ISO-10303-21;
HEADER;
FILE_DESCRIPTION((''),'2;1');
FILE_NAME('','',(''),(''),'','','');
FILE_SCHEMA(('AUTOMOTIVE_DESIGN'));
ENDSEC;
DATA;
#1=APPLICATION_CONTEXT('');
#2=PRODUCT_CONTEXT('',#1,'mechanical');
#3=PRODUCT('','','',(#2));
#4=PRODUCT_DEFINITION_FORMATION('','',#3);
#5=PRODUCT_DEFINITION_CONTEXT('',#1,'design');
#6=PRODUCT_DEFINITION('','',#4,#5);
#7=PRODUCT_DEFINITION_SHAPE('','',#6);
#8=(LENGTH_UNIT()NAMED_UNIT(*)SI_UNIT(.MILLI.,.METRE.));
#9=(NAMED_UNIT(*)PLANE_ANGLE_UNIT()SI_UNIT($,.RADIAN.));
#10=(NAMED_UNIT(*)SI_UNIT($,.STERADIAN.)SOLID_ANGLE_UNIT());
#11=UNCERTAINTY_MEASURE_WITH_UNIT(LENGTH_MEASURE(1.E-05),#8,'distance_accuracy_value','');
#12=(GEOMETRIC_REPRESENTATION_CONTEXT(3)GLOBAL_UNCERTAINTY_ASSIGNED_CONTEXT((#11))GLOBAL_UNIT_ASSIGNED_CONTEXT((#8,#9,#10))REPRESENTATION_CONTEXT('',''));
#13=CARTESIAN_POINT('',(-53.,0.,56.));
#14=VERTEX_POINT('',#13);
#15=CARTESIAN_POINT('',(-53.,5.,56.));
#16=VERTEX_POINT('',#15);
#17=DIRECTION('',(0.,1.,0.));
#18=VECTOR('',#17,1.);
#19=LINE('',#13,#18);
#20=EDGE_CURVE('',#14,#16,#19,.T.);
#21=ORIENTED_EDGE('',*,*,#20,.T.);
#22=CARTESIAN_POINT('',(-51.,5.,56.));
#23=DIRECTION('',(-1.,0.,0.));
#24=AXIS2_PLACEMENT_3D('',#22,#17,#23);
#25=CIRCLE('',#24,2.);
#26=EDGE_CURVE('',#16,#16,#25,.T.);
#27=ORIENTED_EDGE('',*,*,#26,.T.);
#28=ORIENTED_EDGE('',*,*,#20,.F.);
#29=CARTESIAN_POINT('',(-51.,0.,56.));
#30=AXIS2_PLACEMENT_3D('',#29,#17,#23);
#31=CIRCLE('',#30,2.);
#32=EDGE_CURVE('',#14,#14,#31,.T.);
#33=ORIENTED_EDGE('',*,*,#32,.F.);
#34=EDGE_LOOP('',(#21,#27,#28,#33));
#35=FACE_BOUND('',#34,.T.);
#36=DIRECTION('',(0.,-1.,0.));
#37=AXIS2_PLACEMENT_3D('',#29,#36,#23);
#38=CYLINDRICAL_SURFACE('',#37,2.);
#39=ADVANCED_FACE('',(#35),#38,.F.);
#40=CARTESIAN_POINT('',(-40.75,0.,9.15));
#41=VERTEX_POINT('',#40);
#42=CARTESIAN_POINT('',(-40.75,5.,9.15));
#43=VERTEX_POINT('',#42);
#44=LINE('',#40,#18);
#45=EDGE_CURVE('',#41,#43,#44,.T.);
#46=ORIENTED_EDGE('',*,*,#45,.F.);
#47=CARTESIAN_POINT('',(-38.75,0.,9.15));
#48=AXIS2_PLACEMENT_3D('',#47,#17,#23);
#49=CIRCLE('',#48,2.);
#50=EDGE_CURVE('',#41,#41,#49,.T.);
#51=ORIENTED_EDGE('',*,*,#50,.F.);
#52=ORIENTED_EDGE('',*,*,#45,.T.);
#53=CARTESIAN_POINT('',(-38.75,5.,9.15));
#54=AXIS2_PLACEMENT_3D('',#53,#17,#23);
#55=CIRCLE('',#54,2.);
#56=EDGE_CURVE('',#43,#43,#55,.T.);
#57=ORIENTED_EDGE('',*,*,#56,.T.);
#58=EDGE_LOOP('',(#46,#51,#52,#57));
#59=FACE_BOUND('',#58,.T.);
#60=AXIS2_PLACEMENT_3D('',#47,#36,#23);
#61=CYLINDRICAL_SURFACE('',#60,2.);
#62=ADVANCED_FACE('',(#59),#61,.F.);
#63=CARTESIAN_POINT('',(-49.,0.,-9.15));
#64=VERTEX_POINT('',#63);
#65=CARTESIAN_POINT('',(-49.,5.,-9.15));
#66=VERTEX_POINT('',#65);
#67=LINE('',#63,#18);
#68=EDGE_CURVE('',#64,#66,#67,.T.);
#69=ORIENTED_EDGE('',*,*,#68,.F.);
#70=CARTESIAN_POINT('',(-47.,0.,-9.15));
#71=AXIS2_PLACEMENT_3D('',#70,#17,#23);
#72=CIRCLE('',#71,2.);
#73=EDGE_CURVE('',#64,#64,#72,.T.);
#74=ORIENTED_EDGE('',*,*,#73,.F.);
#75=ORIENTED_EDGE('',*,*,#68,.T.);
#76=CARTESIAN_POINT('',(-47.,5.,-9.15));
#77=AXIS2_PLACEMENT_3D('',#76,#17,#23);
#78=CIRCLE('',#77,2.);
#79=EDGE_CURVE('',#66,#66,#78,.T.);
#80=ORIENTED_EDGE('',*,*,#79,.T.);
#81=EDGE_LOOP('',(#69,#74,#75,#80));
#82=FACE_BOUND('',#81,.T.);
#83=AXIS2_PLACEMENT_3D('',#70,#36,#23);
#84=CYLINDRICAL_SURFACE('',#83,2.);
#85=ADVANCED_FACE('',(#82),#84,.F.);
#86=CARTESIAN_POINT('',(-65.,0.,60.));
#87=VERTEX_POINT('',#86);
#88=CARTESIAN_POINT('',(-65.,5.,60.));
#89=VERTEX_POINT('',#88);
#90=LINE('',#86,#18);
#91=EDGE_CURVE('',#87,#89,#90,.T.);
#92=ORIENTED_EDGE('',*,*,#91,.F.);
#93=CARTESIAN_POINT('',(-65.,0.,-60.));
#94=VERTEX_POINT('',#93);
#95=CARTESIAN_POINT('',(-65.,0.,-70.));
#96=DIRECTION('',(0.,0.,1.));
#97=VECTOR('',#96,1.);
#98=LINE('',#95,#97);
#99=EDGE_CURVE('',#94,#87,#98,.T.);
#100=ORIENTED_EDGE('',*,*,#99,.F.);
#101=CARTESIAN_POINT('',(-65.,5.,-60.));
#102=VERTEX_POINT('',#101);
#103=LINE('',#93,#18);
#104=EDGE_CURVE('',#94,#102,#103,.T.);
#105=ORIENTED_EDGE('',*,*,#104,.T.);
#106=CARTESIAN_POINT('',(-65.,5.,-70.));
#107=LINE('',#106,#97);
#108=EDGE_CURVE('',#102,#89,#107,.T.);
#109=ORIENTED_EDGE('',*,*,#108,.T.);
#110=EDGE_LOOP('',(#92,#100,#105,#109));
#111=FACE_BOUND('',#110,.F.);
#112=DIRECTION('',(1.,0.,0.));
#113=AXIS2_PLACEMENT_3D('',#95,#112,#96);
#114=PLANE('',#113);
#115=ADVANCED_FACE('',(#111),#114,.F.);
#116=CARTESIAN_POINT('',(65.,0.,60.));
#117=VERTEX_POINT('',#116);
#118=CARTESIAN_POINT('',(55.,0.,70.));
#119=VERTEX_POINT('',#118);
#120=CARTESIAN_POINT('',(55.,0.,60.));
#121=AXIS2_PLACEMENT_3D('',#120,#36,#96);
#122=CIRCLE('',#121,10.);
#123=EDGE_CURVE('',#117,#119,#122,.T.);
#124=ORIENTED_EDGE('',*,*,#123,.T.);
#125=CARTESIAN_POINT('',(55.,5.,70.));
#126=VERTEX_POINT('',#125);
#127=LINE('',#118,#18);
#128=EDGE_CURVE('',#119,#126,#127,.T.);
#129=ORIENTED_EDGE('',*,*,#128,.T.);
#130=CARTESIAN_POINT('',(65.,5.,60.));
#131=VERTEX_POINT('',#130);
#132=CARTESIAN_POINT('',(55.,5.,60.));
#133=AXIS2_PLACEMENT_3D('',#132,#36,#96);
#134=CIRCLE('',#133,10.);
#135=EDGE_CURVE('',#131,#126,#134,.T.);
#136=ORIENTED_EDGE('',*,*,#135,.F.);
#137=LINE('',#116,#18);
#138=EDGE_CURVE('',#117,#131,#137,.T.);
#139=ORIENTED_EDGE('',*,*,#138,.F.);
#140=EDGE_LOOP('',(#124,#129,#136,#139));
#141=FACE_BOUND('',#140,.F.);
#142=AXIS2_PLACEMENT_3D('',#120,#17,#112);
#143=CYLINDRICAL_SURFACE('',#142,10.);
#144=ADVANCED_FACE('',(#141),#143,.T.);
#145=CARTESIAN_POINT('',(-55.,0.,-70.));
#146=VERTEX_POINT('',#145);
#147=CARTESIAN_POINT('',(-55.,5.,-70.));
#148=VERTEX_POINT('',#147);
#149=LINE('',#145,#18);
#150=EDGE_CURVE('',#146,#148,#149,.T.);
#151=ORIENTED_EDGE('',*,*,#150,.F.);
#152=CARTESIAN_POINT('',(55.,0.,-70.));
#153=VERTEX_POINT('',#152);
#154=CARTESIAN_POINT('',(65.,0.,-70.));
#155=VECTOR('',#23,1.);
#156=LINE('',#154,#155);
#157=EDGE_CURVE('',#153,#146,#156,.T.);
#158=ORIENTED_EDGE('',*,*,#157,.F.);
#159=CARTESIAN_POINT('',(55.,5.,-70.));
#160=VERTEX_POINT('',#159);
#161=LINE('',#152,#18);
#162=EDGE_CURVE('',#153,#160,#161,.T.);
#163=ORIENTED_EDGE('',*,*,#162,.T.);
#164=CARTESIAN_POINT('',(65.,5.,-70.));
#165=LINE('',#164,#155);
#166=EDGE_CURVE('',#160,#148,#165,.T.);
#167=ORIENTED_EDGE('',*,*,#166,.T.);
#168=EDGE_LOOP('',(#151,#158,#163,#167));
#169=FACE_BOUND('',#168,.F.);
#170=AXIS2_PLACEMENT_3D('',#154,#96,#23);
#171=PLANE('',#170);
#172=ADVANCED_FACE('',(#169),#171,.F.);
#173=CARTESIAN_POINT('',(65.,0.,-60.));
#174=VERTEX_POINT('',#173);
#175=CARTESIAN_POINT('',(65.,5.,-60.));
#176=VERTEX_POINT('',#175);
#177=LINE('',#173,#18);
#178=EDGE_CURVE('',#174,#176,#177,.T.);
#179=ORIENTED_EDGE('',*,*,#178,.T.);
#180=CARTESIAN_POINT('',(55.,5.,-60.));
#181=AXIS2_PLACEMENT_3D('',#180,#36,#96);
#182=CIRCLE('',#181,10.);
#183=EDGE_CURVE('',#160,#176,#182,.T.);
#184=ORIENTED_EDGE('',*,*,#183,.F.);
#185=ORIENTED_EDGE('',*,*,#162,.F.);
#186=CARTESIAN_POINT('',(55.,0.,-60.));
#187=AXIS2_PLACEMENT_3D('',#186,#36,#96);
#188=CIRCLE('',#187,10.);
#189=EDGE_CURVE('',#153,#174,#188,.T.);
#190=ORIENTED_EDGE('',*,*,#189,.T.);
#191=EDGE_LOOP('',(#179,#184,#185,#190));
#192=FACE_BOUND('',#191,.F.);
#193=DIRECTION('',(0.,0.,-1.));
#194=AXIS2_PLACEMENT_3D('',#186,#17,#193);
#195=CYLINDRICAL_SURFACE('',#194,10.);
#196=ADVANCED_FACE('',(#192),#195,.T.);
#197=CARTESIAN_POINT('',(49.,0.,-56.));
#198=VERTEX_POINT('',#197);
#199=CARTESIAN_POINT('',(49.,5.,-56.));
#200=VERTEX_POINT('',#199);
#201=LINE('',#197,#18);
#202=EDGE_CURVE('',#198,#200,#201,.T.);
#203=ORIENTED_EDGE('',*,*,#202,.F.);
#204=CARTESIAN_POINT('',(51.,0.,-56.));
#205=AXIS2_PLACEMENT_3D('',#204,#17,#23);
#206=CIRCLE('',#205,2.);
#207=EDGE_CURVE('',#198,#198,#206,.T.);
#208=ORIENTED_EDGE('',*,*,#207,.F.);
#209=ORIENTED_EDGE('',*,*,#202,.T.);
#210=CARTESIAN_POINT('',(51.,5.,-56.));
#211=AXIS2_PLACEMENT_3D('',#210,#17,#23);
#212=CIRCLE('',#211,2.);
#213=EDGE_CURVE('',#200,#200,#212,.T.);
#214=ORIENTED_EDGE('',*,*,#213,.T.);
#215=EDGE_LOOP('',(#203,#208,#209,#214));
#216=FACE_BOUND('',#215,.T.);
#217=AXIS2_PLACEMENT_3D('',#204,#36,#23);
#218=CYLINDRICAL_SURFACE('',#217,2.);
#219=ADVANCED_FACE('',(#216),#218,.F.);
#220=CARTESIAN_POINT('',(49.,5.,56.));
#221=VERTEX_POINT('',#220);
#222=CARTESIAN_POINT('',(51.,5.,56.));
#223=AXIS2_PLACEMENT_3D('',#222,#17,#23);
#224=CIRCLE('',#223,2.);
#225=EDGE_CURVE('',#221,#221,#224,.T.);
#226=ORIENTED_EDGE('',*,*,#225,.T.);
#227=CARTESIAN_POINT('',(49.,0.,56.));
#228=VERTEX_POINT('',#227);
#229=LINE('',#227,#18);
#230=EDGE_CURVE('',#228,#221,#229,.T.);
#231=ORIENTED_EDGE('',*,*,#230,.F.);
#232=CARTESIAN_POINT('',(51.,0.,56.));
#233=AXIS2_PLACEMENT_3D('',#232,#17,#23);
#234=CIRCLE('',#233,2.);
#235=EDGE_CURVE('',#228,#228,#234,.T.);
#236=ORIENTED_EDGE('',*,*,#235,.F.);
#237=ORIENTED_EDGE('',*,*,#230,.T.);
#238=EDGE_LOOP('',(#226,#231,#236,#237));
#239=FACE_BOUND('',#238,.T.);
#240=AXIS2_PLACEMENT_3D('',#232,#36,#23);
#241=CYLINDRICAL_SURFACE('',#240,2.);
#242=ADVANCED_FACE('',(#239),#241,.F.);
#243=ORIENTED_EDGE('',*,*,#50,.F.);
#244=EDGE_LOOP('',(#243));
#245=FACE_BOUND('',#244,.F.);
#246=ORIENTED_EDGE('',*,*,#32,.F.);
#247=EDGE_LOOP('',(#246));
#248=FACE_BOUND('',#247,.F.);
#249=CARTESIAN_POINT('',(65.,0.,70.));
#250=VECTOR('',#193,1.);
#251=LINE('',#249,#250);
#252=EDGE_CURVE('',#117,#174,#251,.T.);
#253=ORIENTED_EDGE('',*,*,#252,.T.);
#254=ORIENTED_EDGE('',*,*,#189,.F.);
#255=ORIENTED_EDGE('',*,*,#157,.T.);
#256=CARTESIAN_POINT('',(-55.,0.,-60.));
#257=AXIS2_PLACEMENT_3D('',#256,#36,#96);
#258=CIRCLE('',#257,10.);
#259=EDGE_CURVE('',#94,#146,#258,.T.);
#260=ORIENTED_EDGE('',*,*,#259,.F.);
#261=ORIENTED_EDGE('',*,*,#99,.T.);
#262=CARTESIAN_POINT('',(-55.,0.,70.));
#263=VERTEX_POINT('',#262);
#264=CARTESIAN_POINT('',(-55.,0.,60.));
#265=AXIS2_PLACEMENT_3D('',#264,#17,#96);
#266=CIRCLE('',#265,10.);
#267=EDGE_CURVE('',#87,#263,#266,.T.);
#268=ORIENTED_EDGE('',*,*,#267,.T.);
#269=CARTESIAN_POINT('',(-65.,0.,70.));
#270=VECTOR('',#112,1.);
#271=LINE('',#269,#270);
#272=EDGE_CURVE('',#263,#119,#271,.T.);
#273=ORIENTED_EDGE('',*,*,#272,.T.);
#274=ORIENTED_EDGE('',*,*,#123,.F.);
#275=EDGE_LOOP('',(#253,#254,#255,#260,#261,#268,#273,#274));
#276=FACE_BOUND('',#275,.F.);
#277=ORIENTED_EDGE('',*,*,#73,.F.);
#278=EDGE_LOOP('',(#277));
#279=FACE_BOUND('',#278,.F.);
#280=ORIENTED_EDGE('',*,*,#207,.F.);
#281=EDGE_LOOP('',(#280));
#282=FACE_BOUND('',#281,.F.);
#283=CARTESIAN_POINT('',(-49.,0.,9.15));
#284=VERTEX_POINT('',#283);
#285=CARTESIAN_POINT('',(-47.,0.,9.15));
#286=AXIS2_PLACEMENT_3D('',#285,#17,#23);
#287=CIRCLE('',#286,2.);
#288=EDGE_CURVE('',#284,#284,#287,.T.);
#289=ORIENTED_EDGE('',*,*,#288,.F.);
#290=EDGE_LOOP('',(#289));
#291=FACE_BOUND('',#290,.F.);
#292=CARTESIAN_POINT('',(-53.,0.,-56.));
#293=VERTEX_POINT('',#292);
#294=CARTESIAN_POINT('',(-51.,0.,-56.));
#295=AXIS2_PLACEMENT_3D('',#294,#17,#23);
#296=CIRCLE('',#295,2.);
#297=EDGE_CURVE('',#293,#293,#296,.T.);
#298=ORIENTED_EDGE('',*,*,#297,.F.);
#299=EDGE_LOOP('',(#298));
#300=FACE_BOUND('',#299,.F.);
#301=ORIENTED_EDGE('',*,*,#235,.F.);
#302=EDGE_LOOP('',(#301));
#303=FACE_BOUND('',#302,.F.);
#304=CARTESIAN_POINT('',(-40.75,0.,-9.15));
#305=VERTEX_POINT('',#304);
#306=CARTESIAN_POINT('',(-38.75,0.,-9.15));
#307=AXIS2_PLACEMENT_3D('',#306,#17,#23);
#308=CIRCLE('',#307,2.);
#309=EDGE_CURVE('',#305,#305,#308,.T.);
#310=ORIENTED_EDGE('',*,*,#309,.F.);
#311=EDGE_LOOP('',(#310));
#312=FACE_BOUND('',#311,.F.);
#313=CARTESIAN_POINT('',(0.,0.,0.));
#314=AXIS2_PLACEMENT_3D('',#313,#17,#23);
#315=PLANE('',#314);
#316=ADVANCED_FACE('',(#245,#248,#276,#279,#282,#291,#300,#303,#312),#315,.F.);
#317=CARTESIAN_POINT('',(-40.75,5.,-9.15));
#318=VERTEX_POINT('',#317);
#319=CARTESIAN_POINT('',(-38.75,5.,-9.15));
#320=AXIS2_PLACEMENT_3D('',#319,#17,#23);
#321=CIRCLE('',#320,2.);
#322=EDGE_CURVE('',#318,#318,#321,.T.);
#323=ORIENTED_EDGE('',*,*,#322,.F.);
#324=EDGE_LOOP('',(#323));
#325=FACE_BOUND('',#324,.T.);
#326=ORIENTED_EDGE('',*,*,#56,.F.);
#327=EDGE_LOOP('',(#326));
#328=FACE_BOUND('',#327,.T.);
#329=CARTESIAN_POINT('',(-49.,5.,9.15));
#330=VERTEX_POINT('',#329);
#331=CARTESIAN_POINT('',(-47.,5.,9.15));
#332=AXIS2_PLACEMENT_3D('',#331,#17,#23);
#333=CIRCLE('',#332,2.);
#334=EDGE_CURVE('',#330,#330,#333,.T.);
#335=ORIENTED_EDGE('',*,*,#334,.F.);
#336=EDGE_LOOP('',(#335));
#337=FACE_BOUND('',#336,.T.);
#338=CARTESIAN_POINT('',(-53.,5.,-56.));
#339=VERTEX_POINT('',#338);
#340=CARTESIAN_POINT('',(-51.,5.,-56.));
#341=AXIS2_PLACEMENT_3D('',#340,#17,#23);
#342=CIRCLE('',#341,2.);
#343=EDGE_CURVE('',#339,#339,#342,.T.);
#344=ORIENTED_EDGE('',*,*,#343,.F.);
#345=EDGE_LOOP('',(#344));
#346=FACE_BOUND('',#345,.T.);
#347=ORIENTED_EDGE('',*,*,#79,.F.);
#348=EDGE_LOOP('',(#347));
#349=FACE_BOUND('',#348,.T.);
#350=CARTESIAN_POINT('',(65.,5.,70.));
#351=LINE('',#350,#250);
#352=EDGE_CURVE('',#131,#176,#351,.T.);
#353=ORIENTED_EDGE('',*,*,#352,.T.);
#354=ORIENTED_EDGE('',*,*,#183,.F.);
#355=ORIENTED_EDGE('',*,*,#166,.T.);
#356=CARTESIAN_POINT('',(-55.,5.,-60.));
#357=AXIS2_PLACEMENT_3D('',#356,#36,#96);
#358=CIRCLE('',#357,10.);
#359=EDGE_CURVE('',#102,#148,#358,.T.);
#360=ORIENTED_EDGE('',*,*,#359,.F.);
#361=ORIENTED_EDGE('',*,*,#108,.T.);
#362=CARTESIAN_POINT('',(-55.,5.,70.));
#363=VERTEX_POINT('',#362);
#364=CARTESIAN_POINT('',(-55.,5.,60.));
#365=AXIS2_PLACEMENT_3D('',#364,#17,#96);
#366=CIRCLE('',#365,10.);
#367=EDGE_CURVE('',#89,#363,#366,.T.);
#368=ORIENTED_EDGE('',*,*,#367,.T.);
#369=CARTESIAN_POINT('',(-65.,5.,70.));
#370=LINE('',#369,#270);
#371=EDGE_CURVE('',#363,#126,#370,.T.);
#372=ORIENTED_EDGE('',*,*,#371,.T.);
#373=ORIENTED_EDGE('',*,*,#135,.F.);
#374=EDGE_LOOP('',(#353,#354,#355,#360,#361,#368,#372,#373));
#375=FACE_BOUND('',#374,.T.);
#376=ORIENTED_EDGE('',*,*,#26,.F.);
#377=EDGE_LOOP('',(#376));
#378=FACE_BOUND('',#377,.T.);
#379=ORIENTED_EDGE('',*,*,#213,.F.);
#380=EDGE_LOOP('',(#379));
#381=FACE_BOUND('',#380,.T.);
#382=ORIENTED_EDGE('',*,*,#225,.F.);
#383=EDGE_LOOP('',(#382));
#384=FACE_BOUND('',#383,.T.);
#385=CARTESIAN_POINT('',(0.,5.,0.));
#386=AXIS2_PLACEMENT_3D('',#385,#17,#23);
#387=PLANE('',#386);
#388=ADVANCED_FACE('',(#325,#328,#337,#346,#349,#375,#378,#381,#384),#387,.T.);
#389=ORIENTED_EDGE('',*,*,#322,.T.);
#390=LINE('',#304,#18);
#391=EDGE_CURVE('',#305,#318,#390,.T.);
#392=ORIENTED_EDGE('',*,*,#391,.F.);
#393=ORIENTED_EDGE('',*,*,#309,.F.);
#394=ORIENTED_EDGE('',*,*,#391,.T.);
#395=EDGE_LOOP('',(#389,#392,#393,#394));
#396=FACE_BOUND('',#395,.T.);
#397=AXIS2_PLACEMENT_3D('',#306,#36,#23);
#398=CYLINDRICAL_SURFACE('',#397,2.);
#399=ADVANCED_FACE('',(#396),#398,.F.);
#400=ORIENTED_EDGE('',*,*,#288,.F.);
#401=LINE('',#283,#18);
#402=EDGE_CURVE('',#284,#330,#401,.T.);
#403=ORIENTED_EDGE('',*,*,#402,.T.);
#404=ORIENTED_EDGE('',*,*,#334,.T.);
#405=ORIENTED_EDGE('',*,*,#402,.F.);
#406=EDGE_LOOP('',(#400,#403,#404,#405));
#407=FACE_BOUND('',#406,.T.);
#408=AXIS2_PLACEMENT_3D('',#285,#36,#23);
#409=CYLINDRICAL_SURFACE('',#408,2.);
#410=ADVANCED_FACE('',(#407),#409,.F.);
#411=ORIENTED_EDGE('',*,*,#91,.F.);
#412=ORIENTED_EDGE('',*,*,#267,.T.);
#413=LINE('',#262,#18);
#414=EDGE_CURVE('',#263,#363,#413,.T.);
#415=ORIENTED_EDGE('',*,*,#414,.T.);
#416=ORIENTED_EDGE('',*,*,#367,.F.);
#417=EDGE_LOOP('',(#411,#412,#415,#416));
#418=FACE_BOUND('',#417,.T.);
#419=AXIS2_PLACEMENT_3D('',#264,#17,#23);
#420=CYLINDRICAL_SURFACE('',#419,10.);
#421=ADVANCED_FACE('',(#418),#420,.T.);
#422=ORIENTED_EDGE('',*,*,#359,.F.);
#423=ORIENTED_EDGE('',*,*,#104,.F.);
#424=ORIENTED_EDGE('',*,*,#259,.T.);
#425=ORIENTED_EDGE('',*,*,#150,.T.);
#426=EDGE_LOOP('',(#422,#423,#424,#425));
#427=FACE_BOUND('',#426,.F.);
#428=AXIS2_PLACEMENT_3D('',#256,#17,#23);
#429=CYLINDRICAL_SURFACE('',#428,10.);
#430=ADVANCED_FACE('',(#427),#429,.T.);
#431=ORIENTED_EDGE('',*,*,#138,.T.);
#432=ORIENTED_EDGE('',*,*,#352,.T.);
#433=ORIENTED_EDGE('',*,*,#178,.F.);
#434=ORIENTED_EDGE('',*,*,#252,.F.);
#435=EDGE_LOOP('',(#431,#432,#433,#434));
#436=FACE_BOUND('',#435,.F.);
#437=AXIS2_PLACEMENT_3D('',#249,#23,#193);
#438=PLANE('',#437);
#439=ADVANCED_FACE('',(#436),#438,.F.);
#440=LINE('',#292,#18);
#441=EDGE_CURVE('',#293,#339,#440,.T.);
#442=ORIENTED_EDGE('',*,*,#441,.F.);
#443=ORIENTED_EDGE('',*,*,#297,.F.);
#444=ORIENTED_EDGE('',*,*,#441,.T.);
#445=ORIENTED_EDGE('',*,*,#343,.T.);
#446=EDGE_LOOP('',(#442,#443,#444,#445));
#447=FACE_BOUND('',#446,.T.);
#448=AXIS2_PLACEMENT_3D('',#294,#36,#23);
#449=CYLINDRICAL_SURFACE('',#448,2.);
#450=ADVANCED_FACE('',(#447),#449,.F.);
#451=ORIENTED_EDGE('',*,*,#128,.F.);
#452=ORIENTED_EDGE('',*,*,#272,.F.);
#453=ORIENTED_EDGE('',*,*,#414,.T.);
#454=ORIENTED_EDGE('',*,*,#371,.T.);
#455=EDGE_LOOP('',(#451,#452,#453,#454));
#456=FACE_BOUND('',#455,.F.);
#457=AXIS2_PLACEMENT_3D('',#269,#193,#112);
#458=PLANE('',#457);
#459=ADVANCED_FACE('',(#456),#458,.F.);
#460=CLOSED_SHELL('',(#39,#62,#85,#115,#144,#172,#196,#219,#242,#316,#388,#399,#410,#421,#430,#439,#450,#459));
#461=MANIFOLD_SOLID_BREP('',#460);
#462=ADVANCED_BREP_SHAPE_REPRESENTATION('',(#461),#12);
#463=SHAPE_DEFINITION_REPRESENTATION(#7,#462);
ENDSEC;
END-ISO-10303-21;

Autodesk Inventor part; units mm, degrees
ref_plane "YZ Plane" through (0, 0, 0) normal (1, 0, 0) x (0, 1, 0)
ref_plane "XZ Plane" through (0, 0, 0) normal (0, 1, 0) x (-1, 0, 0)
ref_plane "XY Plane" through (0, 0, 0) normal (0, 0, 1) x (1, 0, 0)
sketch "Sketch1" plane through (0, 0, 0) normal (0, 1, 0) x (-1, 0, 0)
  line L0 (65, 70) -> (-65, 70)
  line L1 (-65, 70) -> (-65, -70)
  line L2 (-65, -70) -> (65, -70)
  line L3 (65, -70) -> (65, 70)
  circle A0 centre (51, 56) radius 2
  line L4 (0, 0) -> (22.2667, 0) construction
  line L5 (0, 25.5634) -> (0, -25.157) construction
  circle A1 centre (51, -56) radius 2
  circle A2 centre (-51, 56) radius 2
  circle A3 centre (-51, -56) radius 2
  circle A4 centre (47, 9.15) radius 2
  circle A5 centre (38.75, 9.15) radius 2
  circle A6 centre (47, -9.15) radius 2
  circle A7 centre (38.75, -9.15) radius 2
  dimension "d0" = 140
  dimension "d1" = 130
  dimension "d2" = 4
  dimension "d3" = 14
  dimension "d4" = 14
  dimension "d5" = 70
  dimension "d6" = 65
  dimension "d9" = 18
  dimension "d10" = 4
  dimension "d11" = 9.15
  dimension "d12" = 4
  dimension "d13" = 9.15
  dimension "d14" = 8.25
extrude "Extrusion1" add sketch "Sketch1" along normal blind 5
fillet "Fillet1" radius 10 4 edges at (65, 2.5, 70) (65, 2.5, -70) (-65, 2.5, -70) (-65, 2.5, 70)
equation "\"d4\" = d3"
equation "\"d5\" = 0.5 * d0"
equation "\"d6\" = 0.5 * d1"
equation "\"d13\" = d11"
properties part number "base" material "Acrylic"
